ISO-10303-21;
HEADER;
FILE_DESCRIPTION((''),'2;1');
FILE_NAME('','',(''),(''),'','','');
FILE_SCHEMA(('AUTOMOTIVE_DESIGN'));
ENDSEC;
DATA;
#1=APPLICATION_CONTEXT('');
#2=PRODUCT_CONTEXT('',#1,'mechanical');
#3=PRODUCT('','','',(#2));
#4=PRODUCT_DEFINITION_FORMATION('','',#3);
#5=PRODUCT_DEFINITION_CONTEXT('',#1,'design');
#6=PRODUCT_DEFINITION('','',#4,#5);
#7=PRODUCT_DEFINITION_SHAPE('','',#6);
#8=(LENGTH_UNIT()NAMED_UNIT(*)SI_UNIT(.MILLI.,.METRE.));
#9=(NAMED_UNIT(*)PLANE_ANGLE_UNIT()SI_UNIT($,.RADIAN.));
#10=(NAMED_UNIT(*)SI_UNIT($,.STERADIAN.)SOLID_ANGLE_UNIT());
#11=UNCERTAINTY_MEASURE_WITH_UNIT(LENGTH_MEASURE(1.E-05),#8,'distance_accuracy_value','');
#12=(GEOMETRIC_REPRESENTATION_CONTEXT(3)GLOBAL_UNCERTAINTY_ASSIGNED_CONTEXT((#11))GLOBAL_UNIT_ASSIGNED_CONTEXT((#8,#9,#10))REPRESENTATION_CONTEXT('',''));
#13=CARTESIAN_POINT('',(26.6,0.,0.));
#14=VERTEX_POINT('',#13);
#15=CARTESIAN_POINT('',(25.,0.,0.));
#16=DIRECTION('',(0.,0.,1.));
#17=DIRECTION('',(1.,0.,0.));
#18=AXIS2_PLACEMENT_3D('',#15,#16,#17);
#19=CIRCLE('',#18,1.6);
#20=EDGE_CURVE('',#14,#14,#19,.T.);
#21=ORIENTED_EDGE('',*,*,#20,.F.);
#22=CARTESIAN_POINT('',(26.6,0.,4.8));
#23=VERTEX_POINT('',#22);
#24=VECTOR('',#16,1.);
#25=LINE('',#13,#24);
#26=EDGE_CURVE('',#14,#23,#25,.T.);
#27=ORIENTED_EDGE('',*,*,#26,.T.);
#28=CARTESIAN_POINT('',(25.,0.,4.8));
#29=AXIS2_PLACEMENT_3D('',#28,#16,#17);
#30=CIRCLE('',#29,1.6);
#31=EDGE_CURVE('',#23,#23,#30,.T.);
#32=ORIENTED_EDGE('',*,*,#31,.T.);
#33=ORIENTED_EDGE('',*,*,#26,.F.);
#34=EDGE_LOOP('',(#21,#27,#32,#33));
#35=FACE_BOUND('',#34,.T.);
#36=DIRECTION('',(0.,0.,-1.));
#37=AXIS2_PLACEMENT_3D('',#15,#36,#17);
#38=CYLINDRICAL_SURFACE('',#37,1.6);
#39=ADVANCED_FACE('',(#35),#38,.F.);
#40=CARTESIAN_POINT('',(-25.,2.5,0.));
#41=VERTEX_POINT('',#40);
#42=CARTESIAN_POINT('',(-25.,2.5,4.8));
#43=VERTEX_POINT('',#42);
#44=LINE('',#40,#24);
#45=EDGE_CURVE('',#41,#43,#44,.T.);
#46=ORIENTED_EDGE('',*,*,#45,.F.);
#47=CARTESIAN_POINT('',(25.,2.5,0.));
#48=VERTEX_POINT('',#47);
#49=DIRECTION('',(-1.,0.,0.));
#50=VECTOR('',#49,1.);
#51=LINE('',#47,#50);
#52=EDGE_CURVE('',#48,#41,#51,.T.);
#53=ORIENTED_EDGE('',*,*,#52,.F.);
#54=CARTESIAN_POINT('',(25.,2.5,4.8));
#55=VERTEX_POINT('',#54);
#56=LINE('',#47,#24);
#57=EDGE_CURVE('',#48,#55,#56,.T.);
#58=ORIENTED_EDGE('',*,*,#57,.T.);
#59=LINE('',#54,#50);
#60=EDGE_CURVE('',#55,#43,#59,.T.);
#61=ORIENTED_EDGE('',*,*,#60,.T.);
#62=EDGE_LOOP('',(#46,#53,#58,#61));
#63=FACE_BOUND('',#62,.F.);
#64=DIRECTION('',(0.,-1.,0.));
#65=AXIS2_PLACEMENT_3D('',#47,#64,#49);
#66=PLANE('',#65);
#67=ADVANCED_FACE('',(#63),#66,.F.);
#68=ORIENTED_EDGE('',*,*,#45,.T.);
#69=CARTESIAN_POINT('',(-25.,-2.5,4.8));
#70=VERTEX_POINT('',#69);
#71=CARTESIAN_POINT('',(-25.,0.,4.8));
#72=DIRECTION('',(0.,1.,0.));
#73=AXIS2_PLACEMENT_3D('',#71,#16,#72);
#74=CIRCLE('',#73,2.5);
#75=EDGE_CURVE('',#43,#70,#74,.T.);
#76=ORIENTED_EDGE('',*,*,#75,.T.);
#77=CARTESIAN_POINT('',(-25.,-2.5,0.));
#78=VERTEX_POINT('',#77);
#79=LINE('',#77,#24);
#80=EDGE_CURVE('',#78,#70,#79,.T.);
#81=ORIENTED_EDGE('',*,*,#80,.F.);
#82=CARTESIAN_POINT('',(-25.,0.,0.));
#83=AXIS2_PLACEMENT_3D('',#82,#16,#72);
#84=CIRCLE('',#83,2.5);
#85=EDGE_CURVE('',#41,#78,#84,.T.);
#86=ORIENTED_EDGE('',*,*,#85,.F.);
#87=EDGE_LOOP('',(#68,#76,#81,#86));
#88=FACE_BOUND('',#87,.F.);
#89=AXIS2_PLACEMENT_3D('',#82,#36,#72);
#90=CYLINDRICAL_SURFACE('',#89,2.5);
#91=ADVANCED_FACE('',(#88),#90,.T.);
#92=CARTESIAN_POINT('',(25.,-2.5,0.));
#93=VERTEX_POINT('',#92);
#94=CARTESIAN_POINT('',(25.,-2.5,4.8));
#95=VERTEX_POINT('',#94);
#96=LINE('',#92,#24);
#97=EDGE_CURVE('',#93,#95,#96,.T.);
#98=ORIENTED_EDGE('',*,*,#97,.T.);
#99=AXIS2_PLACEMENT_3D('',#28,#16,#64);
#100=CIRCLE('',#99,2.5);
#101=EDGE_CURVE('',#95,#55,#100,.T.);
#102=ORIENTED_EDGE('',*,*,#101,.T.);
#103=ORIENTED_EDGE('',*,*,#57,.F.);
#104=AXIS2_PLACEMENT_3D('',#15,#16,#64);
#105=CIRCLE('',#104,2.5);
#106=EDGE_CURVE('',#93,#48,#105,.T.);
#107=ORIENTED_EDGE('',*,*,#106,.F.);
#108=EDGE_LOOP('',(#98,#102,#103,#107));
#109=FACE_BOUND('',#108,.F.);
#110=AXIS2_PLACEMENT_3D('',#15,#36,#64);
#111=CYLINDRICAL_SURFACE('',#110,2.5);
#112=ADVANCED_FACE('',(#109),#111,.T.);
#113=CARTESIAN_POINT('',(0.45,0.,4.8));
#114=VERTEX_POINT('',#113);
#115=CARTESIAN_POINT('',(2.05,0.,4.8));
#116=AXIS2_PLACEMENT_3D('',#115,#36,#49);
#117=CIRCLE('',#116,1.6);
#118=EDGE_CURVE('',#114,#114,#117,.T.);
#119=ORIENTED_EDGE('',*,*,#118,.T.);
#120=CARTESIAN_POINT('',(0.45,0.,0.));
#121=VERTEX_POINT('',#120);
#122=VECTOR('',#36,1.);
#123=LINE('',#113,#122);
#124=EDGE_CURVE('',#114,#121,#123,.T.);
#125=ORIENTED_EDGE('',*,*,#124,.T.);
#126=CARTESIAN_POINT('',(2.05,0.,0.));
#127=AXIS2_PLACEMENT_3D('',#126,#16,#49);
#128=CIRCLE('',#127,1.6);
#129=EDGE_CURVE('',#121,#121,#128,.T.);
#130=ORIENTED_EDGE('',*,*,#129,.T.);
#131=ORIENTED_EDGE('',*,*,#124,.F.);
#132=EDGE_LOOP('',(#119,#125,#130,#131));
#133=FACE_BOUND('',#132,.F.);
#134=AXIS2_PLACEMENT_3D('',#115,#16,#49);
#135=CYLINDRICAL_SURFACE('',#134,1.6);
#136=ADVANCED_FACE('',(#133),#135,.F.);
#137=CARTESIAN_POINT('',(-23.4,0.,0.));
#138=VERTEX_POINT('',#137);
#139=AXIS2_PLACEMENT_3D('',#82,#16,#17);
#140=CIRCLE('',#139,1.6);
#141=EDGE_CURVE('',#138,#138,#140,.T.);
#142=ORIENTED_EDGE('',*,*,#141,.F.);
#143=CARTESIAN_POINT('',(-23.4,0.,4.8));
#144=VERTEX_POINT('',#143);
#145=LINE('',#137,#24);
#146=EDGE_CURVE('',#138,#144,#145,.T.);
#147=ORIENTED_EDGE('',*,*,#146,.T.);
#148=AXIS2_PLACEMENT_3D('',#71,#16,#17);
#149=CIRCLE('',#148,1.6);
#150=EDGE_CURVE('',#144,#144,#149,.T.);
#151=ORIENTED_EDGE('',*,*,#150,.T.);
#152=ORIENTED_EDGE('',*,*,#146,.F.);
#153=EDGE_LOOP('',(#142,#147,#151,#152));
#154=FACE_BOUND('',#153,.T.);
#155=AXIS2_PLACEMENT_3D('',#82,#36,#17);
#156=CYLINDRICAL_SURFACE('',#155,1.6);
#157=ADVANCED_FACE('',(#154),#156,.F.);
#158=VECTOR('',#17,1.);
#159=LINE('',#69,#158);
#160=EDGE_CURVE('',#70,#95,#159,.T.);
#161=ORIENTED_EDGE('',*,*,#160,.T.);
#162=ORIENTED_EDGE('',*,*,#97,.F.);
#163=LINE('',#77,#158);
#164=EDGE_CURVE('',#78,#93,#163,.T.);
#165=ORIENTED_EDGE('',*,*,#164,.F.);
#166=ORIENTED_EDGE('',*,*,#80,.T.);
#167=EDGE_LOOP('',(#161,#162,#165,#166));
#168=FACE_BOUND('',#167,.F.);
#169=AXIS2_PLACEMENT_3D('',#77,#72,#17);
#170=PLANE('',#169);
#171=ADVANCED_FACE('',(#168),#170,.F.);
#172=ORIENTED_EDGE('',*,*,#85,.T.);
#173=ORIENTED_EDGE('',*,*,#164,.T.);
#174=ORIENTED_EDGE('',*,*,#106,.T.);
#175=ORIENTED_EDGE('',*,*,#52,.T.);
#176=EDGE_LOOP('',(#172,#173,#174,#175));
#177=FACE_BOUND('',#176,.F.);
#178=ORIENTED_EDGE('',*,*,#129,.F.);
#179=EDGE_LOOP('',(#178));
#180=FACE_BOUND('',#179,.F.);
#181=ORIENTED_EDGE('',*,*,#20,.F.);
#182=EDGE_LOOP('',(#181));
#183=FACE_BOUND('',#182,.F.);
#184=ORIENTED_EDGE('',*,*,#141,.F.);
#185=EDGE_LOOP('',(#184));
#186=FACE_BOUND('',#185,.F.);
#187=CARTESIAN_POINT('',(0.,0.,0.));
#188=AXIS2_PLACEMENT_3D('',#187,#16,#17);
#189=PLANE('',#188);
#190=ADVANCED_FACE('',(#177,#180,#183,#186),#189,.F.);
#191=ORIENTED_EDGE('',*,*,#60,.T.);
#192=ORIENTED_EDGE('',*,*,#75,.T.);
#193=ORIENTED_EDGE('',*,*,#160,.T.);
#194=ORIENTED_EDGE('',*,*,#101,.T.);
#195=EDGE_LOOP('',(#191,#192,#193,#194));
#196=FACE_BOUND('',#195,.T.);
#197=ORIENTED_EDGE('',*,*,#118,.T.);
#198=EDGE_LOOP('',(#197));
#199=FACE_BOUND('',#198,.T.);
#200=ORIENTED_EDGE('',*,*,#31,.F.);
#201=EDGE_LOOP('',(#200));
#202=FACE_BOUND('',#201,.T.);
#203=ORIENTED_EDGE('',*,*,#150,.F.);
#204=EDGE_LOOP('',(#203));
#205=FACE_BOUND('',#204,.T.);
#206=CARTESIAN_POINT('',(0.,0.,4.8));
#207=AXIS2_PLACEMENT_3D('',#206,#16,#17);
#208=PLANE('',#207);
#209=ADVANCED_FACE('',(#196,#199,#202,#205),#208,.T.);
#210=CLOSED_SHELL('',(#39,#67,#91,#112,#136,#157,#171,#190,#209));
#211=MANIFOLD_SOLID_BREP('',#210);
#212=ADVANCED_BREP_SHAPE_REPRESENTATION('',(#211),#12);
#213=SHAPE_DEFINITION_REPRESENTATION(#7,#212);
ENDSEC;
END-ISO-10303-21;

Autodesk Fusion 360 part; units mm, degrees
sketch "스케치1" plane through (0, 0, 0) normal (0, 0, 1) x (1, 0, 0)
  line L0 (-25, -2.5) -> (25, -2.5)
  arc A0 (25, -2.5) -> (25, 2.5) centre (25, 0) ccw
  line L1 (25, 2.5) -> (-25, 2.5)
  arc A1 (-25, 2.5) -> (-25, -2.5) centre (-25, 0) ccw
  line L2 (-25, 0) -> (25, 0) construction
  circle A2 centre (25, 0) radius 1.6
  circle A3 centre (-25, 0) radius 1.6
  dimension "d1" = 5
  dimension "d2" = 3.2
  dimension "d3" = 3.2
extrude "돌출1" add sketch "스케치1" along normal blind 4.8
sketch "스케치2" plane through (0, 0, 4.8) normal (0, 0, 1) x (-1, 0, 0)
  circle A0 centre (-25, 0) radius 1.6
  circle A1 centre (25, 0) radius 1.6
  arc A2 (25, -2.5) -> (25, 2.5) centre (25, 0) ccw
  line L0 (25, 2.5) -> (-25, 2.5)
  arc A3 (-25, 2.5) -> (-25, -2.5) centre (-25, 0) ccw
  line L1 (-25, -2.5) -> (25, -2.5)
  line L2 (-2.05, -15) -> (-2.05, 9.4877)
  circle A4 centre (-2.05, 0) radius 1.6
  dimension "d6" = 27.05
  dimension "d7" = 3.2
extrude "돌출2" cut sketch "스케치2" against normal blind 5 contours L2 A4 | L2 A4
